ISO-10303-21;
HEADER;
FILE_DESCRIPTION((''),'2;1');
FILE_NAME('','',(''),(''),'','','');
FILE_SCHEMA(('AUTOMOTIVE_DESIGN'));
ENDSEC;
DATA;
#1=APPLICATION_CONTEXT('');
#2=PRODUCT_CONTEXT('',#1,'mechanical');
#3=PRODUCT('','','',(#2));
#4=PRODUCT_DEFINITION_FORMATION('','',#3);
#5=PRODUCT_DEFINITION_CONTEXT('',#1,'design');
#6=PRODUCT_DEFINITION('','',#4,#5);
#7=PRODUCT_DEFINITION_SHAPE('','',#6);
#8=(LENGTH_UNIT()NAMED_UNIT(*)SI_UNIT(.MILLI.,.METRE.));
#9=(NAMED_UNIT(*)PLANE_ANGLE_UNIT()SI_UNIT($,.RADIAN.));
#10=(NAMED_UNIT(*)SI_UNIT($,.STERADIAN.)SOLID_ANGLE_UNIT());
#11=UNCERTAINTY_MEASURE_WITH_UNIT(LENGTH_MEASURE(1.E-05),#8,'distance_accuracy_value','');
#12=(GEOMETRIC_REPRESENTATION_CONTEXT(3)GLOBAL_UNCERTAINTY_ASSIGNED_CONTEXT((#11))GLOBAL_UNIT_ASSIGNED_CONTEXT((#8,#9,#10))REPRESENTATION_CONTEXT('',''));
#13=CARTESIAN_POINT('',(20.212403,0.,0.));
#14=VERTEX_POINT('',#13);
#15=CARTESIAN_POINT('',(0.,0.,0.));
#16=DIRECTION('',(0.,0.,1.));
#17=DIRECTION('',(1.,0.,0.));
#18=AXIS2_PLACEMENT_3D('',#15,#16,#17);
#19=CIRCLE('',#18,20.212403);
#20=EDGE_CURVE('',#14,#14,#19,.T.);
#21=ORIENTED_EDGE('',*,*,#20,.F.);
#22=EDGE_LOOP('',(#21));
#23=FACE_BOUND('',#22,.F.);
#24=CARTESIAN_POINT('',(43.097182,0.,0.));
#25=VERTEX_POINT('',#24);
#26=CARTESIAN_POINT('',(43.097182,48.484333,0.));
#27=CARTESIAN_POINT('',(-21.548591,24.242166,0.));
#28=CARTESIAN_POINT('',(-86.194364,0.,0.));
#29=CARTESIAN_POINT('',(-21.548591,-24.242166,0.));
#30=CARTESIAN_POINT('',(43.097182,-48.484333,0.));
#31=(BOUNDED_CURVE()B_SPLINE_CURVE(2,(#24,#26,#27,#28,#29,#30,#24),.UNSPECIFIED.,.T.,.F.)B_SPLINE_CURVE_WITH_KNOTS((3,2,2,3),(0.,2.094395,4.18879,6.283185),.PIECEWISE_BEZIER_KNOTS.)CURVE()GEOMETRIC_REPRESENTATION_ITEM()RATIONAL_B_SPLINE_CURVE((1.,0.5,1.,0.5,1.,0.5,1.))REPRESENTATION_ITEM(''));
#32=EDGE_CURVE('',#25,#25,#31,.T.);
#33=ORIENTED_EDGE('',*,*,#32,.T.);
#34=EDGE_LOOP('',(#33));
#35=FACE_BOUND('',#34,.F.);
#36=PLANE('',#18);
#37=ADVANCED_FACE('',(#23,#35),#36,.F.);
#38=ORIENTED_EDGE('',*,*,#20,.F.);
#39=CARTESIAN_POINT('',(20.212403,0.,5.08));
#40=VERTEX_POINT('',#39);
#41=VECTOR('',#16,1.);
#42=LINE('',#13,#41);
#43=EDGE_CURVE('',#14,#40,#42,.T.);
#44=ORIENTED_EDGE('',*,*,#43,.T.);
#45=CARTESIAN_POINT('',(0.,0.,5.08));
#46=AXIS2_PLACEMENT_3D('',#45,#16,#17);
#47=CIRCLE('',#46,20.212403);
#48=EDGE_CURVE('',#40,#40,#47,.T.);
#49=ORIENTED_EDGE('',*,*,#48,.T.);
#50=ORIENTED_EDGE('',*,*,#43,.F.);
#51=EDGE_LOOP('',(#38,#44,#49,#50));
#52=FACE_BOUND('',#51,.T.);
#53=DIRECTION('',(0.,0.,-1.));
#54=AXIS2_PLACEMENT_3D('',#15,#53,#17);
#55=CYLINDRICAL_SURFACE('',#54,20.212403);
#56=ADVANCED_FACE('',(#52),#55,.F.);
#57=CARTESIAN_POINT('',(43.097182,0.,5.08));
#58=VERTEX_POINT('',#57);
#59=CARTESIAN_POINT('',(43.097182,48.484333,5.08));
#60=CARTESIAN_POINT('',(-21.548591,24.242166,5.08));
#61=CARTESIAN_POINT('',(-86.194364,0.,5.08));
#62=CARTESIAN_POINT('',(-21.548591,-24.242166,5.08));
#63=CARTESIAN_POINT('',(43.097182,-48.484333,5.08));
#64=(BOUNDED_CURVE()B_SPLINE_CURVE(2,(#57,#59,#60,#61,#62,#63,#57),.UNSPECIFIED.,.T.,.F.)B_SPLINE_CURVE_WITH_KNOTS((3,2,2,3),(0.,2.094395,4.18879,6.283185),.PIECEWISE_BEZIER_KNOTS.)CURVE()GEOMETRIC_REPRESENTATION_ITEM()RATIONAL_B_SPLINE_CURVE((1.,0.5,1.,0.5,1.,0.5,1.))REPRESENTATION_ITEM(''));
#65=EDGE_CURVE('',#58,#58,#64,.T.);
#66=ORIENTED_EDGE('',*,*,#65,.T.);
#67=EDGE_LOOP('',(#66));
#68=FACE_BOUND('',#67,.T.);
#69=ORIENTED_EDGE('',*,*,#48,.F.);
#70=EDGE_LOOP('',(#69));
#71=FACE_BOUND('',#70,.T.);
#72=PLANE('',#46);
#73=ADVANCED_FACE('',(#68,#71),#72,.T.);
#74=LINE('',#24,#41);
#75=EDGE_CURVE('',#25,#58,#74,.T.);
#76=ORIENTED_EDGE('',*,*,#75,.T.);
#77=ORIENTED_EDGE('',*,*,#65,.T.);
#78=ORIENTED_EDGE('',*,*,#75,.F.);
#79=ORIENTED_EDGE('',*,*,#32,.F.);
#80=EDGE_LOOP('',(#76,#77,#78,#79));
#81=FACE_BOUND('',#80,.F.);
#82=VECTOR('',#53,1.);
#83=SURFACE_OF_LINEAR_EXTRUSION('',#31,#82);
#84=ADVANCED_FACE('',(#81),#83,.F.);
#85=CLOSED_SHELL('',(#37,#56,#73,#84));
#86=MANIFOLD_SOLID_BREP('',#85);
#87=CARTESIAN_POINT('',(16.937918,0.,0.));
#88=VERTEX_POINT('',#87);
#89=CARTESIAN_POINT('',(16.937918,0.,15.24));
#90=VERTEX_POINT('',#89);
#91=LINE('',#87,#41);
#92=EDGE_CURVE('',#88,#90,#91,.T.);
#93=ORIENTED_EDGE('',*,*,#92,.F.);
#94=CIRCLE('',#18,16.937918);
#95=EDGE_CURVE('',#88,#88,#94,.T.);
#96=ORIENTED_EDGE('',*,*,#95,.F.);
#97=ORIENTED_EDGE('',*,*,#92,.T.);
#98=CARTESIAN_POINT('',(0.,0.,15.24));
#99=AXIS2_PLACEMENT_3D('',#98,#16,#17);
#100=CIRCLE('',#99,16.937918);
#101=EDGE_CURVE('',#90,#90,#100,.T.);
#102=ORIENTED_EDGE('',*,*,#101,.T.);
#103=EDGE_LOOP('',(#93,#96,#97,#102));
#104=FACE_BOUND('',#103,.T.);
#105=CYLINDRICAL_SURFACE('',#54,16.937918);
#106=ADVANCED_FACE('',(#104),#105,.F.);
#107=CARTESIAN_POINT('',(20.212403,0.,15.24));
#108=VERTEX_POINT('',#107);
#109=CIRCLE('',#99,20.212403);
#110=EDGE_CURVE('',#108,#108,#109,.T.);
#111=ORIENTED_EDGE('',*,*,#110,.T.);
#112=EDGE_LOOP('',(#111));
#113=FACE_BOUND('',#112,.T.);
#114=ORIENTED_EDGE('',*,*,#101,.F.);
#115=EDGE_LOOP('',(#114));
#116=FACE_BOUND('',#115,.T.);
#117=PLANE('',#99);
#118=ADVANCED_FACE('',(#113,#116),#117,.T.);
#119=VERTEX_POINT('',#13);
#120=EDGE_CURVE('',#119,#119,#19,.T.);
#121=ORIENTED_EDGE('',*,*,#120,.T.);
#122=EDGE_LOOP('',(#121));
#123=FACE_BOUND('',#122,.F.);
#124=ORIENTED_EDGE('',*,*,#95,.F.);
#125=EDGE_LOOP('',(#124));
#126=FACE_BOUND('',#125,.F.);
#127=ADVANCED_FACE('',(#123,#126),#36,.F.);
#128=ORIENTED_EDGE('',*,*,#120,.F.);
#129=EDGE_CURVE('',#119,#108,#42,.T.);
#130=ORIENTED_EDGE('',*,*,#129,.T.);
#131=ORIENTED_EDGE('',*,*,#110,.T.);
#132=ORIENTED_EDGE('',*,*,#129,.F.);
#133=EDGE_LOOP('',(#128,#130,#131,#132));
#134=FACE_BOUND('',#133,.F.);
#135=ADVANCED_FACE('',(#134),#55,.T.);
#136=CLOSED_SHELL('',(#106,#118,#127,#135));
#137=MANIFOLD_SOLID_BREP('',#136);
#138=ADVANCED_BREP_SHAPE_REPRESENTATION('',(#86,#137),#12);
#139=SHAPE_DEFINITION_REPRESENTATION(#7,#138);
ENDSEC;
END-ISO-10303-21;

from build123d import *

# Parameters (mm, degrees)
F0_R     = 20.212403
F1_DEPTH = 5.08
F0_R_2   = 16.937918
F2_DEPTH = 15.24


with BuildPart() as f1:
    # F0 (on Top) → F1 (new body)
    with BuildSketch(Plane.XY):
        with BuildLine():
            add(Edge.make_bspline(
                [(43.097182, 0), (43.097182, 48.484333), (-21.548591, 24.242166), (-86.194364, 0), (-21.548591, -24.242166), (43.097182, -48.484333), (43.097182, 0)],
                knots=[0, 0, 0, 2.094395, 2.094395, 4.18879, 4.18879, 6.283185, 6.283185, 6.283185], degree=2, weights=[1, 0.5, 1, 0.5, 1, 0.5, 1]))
        make_face()
        Circle(F0_R, mode=Mode.SUBTRACT)
    extrude(amount=F1_DEPTH)


with BuildPart() as f2:
    # F0 (on Top) → F2 (new body)
    with BuildSketch(Plane.XY):
        Circle(F0_R)
        Circle(F0_R_2, mode=Mode.SUBTRACT)
    extrude(amount=F2_DEPTH)


solid = Compound([f1.part, f2.part])
